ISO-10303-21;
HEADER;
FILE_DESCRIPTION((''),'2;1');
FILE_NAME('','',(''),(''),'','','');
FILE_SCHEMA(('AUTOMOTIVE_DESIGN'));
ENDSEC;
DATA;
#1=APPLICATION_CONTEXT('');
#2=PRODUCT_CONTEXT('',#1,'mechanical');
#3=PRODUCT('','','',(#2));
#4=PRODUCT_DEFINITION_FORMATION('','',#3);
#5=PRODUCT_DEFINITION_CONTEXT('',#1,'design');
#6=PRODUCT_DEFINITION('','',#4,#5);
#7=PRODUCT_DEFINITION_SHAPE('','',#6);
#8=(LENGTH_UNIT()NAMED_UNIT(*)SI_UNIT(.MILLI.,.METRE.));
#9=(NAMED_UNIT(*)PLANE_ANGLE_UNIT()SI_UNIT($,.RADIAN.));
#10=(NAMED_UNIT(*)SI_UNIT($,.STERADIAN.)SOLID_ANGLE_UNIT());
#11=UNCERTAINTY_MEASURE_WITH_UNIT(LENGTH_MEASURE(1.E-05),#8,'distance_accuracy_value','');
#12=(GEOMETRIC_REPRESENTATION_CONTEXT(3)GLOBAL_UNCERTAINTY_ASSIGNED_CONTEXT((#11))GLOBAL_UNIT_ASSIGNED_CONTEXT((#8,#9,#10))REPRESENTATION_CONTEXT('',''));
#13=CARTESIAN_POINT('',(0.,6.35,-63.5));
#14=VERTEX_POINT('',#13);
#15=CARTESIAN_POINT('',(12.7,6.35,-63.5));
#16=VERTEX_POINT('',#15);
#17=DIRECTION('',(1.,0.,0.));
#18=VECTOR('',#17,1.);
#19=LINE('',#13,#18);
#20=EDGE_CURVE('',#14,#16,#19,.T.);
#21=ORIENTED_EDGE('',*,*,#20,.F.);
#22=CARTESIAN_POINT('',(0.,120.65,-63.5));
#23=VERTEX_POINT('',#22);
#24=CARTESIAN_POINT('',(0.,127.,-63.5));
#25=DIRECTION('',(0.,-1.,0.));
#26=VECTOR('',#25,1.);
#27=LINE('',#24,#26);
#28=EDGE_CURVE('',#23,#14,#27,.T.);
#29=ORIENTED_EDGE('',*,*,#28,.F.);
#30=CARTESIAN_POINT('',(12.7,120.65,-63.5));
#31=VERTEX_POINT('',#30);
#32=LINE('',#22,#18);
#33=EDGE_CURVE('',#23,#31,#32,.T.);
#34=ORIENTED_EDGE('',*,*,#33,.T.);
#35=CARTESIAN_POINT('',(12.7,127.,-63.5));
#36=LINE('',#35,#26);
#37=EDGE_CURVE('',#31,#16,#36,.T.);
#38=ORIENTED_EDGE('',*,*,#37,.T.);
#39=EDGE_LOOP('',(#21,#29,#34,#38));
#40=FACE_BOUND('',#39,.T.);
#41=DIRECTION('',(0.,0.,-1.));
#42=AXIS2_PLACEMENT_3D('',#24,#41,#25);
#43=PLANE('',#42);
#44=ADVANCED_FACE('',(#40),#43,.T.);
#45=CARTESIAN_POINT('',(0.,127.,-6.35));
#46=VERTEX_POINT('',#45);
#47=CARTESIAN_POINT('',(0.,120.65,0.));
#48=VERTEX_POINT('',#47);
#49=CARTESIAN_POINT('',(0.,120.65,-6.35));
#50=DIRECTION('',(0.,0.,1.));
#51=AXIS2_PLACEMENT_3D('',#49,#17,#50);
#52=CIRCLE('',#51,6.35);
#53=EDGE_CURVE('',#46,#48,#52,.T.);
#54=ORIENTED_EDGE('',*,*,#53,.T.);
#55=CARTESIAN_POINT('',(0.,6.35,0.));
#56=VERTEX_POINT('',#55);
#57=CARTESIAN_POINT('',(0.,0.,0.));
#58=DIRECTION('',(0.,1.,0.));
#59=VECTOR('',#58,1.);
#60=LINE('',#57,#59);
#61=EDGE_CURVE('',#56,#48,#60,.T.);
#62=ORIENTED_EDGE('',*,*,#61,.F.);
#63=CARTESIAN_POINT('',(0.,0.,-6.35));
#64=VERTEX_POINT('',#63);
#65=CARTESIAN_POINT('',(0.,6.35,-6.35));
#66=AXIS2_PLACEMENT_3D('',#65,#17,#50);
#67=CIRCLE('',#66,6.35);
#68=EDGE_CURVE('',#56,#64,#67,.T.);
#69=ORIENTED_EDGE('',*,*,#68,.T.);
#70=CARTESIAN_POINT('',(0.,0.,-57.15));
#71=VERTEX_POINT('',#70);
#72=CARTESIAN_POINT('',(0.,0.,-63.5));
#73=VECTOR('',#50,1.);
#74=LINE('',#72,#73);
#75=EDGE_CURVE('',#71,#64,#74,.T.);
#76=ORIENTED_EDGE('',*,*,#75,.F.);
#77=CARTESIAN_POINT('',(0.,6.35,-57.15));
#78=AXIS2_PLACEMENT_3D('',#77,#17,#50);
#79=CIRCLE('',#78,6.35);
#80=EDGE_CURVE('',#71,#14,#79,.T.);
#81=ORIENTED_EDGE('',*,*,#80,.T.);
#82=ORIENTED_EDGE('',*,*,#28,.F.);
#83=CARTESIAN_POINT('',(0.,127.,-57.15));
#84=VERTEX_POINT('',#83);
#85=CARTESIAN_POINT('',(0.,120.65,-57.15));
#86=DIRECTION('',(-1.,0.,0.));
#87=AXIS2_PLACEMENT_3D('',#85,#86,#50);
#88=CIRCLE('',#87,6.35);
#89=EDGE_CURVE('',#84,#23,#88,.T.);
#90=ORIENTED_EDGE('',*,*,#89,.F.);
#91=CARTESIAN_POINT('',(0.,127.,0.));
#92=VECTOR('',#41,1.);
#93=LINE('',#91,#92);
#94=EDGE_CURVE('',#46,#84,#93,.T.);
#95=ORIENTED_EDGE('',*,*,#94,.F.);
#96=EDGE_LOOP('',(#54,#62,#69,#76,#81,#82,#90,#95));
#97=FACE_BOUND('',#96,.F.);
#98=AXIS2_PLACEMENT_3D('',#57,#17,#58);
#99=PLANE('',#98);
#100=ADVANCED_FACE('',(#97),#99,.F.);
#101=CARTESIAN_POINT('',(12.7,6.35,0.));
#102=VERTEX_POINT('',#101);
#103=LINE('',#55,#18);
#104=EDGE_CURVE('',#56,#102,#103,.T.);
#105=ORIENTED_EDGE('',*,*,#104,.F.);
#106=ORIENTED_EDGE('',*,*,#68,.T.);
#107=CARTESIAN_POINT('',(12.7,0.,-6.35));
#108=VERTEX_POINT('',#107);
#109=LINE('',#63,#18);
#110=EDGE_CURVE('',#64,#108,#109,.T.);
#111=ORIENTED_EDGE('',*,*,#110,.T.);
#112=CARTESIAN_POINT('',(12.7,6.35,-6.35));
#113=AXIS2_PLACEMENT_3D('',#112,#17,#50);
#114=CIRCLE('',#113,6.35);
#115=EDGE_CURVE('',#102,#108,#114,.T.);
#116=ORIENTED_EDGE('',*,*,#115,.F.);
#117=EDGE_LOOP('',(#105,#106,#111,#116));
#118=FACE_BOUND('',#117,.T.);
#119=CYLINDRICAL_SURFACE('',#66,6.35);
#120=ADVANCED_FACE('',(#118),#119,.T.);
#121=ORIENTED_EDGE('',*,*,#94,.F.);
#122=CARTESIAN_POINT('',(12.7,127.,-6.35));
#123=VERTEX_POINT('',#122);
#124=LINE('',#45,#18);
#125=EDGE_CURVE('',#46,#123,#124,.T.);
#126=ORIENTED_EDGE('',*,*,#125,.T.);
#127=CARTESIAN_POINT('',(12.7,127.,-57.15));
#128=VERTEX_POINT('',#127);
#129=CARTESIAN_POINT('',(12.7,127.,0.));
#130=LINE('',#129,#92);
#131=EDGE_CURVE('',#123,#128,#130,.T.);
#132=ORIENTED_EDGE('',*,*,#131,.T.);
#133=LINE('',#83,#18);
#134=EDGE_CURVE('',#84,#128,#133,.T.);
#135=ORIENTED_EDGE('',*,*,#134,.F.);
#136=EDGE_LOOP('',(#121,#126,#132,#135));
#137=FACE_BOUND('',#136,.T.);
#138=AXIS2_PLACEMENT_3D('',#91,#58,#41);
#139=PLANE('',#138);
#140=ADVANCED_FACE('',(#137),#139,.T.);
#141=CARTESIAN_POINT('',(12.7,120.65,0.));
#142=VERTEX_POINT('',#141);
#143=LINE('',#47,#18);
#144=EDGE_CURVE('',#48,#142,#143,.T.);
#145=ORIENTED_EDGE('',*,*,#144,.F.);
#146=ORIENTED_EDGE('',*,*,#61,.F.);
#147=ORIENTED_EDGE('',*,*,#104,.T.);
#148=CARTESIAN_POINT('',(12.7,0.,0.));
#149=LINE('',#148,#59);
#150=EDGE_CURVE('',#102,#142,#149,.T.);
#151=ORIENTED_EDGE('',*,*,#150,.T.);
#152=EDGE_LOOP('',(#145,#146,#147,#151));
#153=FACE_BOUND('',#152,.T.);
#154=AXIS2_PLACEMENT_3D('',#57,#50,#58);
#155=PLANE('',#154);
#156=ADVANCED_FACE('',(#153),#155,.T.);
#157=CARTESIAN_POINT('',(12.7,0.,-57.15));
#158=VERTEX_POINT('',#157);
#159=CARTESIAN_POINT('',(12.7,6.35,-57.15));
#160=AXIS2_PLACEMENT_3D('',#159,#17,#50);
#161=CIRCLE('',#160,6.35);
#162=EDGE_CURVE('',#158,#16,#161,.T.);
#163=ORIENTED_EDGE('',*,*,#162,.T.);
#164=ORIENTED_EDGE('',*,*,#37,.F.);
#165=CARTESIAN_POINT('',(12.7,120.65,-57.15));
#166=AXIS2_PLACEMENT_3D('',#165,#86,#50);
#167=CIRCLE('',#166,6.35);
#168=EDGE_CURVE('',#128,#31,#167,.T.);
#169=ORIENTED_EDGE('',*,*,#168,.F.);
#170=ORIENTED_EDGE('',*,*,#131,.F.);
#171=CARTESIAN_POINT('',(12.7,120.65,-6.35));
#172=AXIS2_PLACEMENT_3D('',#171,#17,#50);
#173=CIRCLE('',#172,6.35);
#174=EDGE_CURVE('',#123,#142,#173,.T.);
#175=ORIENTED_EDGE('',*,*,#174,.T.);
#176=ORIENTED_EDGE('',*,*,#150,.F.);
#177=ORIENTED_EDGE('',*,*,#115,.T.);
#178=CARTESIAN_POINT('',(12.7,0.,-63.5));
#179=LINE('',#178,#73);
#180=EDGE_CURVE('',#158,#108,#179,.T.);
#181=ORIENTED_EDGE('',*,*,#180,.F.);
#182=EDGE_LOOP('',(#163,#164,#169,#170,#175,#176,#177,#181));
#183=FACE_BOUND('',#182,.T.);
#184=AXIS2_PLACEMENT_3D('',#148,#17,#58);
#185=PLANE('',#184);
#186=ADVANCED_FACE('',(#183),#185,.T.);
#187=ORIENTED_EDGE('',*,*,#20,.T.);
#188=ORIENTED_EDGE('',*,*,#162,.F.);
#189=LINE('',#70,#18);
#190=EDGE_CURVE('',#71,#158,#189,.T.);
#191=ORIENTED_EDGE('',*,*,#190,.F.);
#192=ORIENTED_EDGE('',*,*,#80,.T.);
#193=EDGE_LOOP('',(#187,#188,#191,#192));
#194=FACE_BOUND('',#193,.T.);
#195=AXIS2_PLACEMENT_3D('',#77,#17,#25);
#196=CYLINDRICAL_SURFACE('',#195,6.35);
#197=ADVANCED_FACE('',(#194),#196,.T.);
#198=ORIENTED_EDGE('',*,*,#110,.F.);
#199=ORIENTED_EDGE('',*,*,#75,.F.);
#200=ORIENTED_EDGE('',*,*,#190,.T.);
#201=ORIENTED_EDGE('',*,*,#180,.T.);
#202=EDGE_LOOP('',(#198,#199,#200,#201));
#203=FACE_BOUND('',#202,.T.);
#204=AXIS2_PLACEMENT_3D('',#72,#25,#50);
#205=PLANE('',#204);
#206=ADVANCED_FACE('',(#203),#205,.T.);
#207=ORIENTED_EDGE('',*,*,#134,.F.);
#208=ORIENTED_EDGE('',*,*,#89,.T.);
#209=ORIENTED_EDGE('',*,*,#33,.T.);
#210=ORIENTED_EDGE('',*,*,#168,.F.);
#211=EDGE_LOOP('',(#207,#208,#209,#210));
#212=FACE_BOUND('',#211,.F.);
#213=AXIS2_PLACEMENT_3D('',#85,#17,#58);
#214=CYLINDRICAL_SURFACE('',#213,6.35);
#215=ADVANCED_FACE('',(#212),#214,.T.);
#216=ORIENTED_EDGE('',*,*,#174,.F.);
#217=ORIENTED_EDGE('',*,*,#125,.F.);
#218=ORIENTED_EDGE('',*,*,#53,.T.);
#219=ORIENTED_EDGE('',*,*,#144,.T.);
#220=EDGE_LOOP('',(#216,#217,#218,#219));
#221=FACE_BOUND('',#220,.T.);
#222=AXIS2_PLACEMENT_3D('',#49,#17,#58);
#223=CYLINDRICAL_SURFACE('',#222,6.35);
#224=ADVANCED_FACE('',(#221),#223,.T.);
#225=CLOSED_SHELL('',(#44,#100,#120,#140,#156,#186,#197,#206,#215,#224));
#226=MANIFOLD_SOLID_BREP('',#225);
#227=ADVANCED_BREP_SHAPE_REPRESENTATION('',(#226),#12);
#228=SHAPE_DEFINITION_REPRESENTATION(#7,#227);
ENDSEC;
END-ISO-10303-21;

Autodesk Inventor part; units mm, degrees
ref_plane "YZ Plane" through (0, 0, 0) normal (1, 0, 0) x (0, 1, 0)
ref_plane "XZ Plane" through (0, 0, 0) normal (0, 1, 0) x (-1, 0, 0)
ref_plane "XY Plane" through (0, 0, 0) normal (0, 0, 1) x (1, 0, 0)
sketch "Sketch1" plane through (0, 0, 0) normal (1, 0, 0) x (0, 1, 0)
  line L0 (0, 0) -> (127, 0)
  line L1 (127, 0) -> (127, -63.5)
  line L2 (127, -63.5) -> (0, -63.5)
  line L3 (0, -63.5) -> (0, 0)
  dimension "d0" = 127
  dimension "d1" = 63.5
extrude "Extrusion1" add sketch "Sketch1" along normal blind 12.7
fillet "Fillet1" radius 6.35 1 edges at (6.35, 127, -63.5)
fillet "Fillet2" radius 6.35 1 edges at (6.35, 127, 0)
fillet "Fillet3" radius 6.35 1 edges at (6.35, 0, 0)
fillet "Fillet4" radius 6.35 1 edges at (6.35, 0, -63.5)
properties part number "Phone"
